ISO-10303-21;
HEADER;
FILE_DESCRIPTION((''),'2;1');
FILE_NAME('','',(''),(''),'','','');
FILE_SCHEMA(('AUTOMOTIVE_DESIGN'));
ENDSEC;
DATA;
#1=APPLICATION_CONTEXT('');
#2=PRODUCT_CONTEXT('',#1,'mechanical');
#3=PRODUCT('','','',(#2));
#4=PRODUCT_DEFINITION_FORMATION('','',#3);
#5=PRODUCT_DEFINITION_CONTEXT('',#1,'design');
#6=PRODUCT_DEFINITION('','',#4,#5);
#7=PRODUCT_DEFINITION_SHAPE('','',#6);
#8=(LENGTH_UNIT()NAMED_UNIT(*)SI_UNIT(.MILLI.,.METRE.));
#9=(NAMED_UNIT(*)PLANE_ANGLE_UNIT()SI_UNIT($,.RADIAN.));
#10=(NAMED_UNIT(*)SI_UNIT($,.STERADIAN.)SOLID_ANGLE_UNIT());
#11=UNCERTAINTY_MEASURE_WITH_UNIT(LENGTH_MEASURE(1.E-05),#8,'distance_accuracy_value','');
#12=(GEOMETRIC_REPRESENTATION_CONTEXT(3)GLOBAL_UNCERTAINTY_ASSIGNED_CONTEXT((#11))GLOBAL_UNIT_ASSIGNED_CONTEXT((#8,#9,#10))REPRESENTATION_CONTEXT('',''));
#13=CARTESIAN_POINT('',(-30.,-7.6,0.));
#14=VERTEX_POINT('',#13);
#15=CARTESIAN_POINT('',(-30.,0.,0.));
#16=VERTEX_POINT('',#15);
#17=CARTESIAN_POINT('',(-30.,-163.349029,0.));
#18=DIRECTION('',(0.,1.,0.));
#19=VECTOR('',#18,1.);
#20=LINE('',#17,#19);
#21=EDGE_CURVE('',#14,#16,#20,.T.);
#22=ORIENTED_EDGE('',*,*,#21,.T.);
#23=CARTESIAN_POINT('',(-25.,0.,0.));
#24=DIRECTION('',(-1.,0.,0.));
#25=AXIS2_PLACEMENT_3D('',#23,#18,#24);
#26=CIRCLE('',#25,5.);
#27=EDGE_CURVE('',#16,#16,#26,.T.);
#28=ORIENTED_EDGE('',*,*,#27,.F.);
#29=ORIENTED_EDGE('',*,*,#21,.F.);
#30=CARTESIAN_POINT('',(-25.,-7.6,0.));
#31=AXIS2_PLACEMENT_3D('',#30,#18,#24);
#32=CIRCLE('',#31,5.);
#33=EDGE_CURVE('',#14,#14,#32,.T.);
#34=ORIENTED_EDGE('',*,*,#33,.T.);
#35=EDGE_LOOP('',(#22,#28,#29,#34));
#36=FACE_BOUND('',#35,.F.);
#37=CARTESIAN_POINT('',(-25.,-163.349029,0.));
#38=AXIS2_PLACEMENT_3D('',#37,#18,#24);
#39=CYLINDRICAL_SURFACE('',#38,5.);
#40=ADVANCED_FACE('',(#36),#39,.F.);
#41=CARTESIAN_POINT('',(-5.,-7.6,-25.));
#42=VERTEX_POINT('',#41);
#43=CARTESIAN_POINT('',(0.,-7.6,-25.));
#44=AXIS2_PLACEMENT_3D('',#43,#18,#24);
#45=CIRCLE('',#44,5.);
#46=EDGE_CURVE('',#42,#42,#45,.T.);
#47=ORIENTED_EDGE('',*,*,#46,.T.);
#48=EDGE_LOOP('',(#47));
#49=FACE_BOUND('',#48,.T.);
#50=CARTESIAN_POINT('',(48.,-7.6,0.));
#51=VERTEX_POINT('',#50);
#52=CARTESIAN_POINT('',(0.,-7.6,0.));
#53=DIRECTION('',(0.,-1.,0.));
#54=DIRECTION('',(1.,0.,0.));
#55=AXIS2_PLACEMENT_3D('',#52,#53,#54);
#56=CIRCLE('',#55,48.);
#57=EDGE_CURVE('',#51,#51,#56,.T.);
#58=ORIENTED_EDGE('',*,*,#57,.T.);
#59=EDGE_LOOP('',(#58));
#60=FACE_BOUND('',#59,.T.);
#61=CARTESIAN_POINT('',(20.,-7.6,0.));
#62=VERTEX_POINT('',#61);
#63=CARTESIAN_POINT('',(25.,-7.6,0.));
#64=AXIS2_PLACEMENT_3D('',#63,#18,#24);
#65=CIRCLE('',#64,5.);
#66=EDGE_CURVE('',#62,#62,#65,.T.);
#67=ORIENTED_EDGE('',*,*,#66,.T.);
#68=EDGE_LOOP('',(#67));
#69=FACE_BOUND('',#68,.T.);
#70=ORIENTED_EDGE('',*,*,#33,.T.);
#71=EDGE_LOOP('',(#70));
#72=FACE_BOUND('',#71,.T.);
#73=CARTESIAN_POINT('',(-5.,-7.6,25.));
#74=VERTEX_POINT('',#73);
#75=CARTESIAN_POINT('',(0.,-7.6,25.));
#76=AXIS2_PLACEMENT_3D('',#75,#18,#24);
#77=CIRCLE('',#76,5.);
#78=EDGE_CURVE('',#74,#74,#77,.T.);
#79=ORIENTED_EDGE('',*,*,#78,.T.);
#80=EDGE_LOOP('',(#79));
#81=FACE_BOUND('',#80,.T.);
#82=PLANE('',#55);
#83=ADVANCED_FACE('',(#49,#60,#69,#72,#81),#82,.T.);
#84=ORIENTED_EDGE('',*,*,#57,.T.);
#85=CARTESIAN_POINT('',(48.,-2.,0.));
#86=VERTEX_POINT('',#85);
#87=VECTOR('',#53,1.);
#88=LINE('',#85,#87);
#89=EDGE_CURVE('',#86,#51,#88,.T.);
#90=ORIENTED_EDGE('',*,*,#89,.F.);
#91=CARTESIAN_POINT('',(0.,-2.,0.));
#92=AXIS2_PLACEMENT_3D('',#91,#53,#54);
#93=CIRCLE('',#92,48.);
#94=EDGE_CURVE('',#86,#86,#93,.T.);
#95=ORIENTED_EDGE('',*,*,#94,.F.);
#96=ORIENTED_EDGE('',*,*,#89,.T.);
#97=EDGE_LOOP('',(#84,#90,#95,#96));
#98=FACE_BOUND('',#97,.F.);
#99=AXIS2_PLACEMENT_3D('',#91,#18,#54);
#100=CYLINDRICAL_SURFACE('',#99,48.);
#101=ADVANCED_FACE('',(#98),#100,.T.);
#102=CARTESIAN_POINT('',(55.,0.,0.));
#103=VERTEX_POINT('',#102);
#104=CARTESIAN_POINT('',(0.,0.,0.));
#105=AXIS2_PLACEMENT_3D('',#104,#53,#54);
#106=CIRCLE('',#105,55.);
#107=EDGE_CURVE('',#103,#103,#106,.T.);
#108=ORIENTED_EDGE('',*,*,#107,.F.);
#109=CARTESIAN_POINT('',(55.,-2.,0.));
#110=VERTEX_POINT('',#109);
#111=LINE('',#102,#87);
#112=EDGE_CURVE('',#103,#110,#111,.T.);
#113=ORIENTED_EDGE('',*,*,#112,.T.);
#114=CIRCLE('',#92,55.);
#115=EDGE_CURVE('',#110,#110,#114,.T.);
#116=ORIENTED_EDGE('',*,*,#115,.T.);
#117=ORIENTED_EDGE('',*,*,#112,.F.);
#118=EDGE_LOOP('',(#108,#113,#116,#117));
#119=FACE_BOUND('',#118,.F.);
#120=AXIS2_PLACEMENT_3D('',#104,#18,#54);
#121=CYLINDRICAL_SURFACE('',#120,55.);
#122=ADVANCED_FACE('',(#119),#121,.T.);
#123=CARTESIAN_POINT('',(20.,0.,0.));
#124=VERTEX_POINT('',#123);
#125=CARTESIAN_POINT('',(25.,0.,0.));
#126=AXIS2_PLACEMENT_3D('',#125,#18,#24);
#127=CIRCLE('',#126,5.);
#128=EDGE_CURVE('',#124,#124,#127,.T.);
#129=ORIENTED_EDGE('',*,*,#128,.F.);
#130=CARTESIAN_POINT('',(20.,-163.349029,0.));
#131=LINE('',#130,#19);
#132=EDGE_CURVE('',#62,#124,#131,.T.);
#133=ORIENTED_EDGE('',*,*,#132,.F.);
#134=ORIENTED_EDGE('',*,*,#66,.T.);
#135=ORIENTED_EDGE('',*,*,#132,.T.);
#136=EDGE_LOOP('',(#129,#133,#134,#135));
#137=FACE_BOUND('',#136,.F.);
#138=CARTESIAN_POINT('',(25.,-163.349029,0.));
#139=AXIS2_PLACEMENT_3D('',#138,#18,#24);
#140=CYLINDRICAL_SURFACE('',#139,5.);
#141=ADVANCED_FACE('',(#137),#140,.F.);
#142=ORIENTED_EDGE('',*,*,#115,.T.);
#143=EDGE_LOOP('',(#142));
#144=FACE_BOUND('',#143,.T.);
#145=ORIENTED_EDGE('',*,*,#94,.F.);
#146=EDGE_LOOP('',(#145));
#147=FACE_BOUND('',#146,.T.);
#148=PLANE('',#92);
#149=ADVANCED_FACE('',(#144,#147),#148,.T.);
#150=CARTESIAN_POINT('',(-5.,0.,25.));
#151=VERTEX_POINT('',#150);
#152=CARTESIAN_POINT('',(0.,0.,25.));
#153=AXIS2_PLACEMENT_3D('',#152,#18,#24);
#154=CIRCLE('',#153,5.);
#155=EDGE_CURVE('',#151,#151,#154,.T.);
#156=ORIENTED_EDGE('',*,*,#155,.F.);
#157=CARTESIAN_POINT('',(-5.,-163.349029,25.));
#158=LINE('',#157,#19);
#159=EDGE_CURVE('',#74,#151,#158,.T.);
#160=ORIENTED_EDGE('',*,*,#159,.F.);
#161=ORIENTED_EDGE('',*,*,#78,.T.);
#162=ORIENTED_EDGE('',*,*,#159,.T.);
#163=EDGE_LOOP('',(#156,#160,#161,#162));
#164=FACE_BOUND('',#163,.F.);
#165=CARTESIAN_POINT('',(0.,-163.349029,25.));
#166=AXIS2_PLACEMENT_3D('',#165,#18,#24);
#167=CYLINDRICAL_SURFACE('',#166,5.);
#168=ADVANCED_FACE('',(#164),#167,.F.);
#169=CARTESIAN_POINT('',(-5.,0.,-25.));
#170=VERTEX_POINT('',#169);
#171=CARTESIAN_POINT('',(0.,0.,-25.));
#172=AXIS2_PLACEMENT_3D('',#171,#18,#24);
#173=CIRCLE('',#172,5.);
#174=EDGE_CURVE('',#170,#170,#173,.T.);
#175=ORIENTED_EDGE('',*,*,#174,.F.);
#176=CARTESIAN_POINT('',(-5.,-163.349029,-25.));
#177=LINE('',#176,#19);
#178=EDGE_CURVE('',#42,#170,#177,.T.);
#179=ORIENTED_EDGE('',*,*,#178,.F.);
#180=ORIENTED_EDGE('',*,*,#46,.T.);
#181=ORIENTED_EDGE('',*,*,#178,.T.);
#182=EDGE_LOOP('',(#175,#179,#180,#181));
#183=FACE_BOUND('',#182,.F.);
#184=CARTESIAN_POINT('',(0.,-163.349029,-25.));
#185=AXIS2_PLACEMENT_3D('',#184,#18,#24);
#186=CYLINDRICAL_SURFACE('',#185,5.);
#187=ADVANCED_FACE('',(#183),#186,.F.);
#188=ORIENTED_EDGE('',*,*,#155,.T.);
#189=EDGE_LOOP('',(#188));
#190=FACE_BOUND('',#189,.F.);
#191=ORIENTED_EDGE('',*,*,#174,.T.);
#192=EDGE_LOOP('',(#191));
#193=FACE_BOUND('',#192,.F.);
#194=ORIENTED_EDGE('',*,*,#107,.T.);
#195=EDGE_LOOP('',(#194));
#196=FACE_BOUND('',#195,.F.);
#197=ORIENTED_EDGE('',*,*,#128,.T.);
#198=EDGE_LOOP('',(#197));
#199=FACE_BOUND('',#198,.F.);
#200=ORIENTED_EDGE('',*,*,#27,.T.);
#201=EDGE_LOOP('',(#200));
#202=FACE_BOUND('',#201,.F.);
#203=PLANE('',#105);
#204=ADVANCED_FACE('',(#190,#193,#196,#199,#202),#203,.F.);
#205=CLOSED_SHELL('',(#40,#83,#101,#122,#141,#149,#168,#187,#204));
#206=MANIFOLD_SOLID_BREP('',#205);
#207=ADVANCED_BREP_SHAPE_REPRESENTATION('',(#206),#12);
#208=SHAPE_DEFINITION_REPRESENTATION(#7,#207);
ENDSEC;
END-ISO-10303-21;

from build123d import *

# Parameters (mm, degrees)
F0_R     = 55
F1_DEPTH = 2
F2_R     = 48
F3_DEPTH = 5.6
F5_D     = 10


with BuildPart() as f1:
    # F0 (on Front) → F1 (new body)
    with BuildSketch(Plane.XZ):
        Circle(F0_R)
    extrude(amount=F1_DEPTH)

    # F2 (on face) → F3 (join)
    with BuildSketch(Plane.XZ.offset(2)):
        Circle(F2_R)
    extrude(amount=F3_DEPTH)

    # F5 (through all)
    with Locations(Plane.XZ.offset(7.6)):
        with Locations((-25, 0), (0, 25), (25, 0), (0, -25)):
            Hole(F5_D / 2)


solid = f1.part
